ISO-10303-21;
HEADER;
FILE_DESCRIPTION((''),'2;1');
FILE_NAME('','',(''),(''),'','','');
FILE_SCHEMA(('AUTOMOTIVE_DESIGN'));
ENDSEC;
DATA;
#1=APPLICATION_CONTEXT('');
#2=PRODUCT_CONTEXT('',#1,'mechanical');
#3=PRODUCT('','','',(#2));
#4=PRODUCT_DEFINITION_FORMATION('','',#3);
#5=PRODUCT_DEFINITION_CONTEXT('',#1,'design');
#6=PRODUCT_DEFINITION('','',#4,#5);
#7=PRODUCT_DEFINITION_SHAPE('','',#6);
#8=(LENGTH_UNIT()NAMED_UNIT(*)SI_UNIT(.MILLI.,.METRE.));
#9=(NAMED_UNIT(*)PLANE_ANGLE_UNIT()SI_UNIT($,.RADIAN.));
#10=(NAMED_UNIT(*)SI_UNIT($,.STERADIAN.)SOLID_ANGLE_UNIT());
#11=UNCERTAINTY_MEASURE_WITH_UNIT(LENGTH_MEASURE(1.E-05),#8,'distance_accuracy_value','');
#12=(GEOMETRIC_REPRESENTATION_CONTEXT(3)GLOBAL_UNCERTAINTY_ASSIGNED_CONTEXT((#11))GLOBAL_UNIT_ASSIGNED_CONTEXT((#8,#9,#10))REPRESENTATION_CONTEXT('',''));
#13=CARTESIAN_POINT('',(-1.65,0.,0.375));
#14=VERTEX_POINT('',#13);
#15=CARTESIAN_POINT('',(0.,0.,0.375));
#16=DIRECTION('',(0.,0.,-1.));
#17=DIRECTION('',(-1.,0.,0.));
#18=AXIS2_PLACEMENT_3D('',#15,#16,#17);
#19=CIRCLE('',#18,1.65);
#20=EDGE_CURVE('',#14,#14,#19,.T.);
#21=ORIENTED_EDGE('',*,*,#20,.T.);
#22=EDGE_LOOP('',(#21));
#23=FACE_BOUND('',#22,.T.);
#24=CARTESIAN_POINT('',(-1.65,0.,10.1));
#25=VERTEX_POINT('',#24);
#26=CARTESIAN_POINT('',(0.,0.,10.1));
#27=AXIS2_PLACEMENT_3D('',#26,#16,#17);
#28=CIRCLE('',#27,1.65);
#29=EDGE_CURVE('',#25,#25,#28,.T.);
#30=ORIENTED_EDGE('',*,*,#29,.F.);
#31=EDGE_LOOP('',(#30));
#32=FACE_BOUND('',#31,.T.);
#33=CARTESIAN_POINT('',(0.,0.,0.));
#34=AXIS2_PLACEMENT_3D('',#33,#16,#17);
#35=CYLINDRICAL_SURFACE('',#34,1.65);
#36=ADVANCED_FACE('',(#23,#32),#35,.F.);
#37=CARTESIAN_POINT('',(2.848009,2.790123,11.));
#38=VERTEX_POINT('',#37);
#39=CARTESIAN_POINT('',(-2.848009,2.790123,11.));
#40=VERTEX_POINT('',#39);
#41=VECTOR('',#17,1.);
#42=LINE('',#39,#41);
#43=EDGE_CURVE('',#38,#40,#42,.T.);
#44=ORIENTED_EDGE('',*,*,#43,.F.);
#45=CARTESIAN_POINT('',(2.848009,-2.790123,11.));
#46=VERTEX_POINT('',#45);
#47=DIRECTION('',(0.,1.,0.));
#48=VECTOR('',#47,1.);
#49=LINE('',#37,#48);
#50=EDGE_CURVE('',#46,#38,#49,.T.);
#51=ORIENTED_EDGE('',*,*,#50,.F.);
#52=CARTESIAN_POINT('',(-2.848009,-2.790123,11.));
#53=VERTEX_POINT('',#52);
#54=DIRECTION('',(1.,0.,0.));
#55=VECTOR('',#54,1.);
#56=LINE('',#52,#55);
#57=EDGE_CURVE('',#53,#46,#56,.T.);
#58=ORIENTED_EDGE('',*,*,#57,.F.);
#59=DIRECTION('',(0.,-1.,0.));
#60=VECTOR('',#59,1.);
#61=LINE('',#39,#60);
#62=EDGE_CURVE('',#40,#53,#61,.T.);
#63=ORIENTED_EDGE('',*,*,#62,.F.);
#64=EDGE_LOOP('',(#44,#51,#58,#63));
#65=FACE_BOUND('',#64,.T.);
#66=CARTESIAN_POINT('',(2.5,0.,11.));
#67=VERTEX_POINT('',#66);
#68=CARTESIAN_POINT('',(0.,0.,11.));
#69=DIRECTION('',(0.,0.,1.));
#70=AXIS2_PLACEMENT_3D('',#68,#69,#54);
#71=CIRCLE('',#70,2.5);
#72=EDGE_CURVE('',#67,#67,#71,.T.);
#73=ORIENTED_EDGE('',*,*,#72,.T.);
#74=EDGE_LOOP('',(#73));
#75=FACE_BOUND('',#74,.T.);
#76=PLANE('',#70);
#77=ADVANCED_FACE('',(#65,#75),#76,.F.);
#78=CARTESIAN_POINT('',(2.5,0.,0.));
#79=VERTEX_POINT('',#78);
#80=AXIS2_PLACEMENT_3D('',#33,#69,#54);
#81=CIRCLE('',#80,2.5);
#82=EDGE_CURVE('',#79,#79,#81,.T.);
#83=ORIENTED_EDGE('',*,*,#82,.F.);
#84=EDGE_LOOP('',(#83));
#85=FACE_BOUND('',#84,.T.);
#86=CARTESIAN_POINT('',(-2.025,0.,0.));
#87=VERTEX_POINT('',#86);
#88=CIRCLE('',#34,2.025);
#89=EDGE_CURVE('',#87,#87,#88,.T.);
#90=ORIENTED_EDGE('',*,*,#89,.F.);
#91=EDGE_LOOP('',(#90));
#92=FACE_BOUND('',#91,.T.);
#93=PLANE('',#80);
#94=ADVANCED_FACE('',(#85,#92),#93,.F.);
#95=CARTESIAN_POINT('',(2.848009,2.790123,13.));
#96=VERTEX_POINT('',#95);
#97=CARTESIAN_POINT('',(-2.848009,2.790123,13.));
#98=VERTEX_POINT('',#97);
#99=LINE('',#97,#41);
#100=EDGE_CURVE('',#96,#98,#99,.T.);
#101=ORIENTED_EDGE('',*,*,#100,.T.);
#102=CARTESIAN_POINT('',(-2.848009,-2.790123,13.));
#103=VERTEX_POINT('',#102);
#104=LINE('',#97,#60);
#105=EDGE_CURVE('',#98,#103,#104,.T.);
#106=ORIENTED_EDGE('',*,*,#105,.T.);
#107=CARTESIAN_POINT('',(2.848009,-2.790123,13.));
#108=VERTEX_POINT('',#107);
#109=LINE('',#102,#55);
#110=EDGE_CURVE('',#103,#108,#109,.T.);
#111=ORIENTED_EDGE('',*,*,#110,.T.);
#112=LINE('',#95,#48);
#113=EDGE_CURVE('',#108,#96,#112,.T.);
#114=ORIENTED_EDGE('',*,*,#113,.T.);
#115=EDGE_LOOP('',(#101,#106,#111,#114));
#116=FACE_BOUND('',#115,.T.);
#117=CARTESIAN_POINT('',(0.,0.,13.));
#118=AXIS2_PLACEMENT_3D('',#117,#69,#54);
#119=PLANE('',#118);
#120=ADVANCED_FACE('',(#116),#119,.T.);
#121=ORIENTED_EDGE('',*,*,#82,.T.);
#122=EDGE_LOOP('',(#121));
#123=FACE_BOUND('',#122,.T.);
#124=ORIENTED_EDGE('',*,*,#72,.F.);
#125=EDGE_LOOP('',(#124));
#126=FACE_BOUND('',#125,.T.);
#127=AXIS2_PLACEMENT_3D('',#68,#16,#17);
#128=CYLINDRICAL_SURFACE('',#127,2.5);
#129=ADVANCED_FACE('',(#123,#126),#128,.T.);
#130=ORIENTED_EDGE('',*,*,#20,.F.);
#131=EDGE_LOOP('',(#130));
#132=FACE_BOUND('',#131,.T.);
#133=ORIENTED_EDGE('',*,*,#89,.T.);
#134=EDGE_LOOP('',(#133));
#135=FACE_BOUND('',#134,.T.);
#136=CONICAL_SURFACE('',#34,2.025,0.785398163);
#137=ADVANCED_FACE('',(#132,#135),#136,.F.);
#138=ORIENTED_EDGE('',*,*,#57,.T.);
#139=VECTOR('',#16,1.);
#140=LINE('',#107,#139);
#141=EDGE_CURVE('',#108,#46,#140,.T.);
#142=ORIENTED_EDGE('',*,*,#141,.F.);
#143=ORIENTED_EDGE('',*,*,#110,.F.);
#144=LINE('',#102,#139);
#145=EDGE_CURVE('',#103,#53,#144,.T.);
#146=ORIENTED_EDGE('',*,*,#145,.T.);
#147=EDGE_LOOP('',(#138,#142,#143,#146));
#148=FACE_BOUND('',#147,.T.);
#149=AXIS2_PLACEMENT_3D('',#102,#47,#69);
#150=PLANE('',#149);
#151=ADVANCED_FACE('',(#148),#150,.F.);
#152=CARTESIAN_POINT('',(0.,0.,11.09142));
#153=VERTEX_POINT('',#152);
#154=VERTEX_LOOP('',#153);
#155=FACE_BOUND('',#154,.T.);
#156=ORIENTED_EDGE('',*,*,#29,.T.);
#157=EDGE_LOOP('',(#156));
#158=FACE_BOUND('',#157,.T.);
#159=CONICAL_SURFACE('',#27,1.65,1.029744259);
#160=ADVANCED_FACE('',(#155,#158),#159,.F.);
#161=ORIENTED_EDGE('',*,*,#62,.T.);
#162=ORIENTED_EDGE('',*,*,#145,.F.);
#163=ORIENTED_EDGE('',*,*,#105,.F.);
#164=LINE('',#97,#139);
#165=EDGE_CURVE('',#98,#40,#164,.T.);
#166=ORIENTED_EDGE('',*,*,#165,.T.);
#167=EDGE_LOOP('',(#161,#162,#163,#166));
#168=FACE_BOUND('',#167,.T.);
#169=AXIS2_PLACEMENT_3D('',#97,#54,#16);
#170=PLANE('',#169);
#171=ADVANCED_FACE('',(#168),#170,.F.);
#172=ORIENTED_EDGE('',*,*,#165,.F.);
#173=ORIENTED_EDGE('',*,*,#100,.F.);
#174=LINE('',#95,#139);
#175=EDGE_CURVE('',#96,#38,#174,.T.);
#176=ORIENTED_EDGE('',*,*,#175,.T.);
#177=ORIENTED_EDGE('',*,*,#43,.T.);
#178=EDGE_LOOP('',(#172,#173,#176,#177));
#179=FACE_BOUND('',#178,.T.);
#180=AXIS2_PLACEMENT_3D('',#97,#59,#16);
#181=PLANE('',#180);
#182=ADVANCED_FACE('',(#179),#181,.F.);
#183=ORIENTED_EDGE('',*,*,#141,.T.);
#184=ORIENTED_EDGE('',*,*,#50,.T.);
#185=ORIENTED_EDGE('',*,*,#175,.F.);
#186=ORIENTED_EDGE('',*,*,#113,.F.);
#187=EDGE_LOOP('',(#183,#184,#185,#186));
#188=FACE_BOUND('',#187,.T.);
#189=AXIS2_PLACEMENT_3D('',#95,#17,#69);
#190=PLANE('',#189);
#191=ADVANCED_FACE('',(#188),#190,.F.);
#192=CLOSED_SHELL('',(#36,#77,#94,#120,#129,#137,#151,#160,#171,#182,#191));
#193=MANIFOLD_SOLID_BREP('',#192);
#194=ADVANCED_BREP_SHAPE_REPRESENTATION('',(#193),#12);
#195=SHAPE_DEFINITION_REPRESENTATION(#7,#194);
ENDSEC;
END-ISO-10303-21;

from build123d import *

# Parameters (mm, degrees)
SKETCH_1_R                   = 2.5
EXTRUDE_1_DEPTH              = 11
SKETCH_2_W                   = 5.696018396
SKETCH_2_H                   = 5.580245664
EXTRUDE_2_DEPTH              = 2
HOLE_WIZARD_M4_1_D           = 3.3
HOLE_WIZARD_M4_1_DEPTH       = 10.1
HOLE_WIZARD_M4_1_CSINK_D     = 4.05
HOLE_WIZARD_M4_1_CSINK_ANGLE = 90
HOLE_WIZARD_M4_1_TIP         = 0.991420021


with BuildPart() as part:
    # 스케치1 → 보스-돌출1 (new body)
    with BuildSketch(Plane.XY):
        Circle(SKETCH_1_R)
    extrude(amount=EXTRUDE_1_DEPTH)

    # 스케치2 → 보스-돌출2 (add)
    with BuildSketch(Plane.XY.offset(11)):
        Rectangle(SKETCH_2_W, SKETCH_2_H)
    extrude(amount=EXTRUDE_2_DEPTH)

    # M4 나사 구멍1
    with Locations(Plane(origin=(0, 0, 0), x_dir=(-1, 0, 0), z_dir=(0, 0, -1))):
        with Locations((0, 0)):
            CounterSinkHole(HOLE_WIZARD_M4_1_D / 2, HOLE_WIZARD_M4_1_CSINK_D / 2, depth=HOLE_WIZARD_M4_1_DEPTH, counter_sink_angle=HOLE_WIZARD_M4_1_CSINK_ANGLE)
            with Locations((0, 0, -(HOLE_WIZARD_M4_1_DEPTH + HOLE_WIZARD_M4_1_TIP / 2))):  # 118° drill point
                Cone(0, HOLE_WIZARD_M4_1_D / 2, HOLE_WIZARD_M4_1_TIP, mode=Mode.SUBTRACT)


solid = part.part
